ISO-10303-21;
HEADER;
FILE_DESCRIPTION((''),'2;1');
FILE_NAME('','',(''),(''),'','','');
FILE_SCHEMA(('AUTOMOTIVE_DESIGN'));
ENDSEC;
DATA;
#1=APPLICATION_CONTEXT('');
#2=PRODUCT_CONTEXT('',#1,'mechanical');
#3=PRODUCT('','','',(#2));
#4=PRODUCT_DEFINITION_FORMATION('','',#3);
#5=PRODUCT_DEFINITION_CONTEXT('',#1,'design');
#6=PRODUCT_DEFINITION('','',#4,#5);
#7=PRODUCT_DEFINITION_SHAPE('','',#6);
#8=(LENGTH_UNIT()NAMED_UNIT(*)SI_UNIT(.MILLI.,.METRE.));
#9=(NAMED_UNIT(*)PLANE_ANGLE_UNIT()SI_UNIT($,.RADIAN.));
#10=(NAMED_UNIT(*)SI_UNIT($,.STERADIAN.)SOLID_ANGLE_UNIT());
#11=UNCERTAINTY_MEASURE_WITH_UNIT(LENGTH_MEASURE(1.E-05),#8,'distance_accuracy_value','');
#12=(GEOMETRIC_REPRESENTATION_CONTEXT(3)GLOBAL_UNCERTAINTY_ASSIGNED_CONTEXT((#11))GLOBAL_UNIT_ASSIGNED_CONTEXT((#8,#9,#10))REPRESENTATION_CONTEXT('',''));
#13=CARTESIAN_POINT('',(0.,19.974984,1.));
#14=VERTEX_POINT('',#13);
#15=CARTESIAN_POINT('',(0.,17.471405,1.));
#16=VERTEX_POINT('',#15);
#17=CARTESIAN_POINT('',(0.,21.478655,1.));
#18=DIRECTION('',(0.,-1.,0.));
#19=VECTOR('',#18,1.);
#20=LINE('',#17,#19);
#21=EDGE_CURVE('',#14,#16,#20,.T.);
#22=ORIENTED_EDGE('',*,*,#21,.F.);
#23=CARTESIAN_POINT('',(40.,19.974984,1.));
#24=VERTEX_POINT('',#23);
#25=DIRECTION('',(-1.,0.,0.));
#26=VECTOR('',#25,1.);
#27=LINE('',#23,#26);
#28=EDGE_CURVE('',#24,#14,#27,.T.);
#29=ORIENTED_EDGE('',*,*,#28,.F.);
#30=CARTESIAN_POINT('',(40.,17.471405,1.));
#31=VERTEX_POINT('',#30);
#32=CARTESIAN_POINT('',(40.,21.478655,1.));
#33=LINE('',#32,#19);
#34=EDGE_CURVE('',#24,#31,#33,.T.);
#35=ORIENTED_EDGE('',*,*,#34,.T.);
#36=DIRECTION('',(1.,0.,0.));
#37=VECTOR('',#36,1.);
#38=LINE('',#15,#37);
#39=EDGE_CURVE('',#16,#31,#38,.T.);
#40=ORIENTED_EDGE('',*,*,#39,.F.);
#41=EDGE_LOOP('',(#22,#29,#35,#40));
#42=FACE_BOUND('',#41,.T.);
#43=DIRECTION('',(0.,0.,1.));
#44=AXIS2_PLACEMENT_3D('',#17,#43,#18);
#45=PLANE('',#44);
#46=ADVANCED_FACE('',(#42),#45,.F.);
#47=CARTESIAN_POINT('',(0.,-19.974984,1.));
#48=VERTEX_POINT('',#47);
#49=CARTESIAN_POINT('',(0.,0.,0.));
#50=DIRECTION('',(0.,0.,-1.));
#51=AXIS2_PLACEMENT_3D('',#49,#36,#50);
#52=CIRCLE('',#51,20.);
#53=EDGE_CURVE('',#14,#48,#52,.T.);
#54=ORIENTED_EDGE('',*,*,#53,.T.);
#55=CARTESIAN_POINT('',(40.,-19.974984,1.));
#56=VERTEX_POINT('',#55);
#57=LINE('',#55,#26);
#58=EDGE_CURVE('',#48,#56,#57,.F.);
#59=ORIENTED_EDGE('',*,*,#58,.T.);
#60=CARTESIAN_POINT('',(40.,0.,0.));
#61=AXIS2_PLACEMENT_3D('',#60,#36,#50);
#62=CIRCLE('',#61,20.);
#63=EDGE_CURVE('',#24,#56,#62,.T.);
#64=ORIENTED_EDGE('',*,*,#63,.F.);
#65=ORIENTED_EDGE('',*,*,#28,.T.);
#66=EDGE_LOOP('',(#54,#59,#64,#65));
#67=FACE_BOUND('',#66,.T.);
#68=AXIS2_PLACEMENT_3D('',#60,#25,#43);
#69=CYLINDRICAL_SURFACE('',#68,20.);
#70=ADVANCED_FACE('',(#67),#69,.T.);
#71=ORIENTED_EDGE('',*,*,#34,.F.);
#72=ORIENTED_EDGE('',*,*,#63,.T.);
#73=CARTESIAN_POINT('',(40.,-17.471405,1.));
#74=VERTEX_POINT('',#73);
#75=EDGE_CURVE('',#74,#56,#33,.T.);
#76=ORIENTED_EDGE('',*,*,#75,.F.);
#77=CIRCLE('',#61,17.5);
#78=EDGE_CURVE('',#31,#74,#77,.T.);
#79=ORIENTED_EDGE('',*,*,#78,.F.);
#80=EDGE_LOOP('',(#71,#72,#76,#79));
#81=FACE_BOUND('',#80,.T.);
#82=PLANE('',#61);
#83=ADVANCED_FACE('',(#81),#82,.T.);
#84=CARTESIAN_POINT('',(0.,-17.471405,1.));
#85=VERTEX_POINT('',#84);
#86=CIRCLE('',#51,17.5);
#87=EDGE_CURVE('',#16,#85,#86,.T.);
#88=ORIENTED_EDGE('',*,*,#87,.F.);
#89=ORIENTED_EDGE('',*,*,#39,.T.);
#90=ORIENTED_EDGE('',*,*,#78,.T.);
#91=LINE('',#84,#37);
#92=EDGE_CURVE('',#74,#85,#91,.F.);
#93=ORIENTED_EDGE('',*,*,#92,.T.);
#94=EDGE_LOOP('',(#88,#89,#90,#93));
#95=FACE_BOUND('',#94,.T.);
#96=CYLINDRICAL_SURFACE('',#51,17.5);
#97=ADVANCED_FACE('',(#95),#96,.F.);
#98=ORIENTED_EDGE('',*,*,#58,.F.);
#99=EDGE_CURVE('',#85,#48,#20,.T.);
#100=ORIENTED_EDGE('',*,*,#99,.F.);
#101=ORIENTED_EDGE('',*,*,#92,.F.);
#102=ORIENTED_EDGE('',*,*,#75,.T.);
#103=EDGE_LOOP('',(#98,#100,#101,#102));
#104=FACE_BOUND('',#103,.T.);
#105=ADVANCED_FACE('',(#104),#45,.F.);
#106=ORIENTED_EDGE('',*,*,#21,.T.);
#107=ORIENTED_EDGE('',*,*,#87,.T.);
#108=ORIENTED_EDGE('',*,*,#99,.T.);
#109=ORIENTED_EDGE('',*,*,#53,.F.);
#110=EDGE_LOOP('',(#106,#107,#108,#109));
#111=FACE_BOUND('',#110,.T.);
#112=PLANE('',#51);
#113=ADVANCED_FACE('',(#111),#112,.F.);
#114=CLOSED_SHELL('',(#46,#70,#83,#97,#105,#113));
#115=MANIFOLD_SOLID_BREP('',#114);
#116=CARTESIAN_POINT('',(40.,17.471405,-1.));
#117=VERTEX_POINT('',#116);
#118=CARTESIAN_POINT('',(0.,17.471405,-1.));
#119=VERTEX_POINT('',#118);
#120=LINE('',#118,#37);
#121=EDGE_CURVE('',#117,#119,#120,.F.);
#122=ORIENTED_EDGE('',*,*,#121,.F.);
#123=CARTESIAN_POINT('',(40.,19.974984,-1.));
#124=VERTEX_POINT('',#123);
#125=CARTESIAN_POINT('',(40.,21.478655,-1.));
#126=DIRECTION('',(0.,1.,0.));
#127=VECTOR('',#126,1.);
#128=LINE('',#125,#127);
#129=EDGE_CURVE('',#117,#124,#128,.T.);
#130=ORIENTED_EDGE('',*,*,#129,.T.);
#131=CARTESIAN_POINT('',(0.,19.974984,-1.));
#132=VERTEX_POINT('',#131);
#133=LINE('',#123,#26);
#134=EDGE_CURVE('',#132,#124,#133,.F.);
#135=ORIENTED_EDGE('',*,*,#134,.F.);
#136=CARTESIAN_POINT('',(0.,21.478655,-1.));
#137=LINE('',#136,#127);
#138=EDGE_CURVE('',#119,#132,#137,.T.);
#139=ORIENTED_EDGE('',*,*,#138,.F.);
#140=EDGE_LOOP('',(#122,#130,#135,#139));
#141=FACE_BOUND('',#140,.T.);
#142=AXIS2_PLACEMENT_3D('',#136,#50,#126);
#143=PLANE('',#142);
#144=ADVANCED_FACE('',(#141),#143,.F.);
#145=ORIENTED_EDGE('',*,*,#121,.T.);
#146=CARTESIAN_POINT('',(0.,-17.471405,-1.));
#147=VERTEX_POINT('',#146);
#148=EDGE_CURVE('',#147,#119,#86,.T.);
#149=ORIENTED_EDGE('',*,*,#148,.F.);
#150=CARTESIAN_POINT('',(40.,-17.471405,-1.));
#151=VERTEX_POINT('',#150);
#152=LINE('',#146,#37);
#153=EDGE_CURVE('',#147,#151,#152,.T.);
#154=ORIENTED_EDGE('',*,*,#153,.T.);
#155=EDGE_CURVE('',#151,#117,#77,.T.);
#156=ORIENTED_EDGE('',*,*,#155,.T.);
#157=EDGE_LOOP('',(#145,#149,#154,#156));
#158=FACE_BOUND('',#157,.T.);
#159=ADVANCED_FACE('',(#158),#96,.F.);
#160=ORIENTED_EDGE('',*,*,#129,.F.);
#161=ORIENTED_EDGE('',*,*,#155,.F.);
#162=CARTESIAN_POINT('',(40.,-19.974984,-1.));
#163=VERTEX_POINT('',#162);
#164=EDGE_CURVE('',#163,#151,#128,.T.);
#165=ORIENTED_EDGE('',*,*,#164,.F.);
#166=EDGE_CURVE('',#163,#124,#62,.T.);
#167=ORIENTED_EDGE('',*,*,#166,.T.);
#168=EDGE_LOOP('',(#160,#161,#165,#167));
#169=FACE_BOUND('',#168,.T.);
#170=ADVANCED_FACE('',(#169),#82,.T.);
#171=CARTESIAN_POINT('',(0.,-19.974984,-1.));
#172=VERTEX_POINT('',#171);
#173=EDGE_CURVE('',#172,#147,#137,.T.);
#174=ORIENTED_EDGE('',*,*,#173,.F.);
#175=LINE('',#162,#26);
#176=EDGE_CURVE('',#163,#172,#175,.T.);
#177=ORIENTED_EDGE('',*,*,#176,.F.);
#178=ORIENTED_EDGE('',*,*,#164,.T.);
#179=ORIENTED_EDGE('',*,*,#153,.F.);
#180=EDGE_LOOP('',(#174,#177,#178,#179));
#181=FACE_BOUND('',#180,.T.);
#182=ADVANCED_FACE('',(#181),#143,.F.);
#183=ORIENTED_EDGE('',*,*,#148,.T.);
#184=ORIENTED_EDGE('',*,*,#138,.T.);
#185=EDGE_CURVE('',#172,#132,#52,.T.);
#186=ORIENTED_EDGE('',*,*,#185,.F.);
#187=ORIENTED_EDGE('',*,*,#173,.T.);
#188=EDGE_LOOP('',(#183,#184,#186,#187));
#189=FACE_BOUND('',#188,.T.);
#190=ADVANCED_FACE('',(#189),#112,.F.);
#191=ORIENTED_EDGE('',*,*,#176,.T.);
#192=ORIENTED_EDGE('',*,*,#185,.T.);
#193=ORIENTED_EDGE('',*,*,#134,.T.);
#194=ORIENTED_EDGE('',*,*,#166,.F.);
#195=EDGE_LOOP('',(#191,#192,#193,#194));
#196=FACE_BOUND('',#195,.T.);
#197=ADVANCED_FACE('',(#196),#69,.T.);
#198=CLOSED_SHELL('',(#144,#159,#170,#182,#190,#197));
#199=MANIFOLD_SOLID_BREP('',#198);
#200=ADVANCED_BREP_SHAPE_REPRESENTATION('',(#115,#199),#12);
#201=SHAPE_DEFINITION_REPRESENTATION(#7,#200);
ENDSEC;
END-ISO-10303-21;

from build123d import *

# Parameters (mm, degrees)
SKETCH_1_R          = 20
EXTRUDE_1_DEPTH     = 40
SKETCH_2_R          = 17.5
CUT_EXTRUDE_1_DEPTH = 40
SKETCH_3_W          = 2
SKETCH_3_H          = 43.604257984
CUT_EXTRUDE_2_DEPTH = 40


with BuildPart() as part:
    # 草图1 → 凸台-拉伸1 (new body)
    with BuildSketch(Plane(origin=(0, 0, 0), x_dir=(0, 0, -1), z_dir=(1, 0, 0))):
        Circle(SKETCH_1_R)
    extrude(amount=EXTRUDE_1_DEPTH)

    # 草图2 → 切除-拉伸1 (cut)
    with BuildSketch(Plane(origin=(40, 0, 0), x_dir=(0, 0, -1), z_dir=(1, 0, 0))):
        Circle(SKETCH_2_R)
    extrude(amount=-CUT_EXTRUDE_1_DEPTH, mode=Mode.SUBTRACT)

    # 草图3 → 切除-拉伸2 (cut)
    with BuildSketch(Plane(origin=(40, 0, 0), x_dir=(0, 0, -1), z_dir=(1, 0, 0))):
        with Locations((0, -0.323473724)):
            Rectangle(SKETCH_3_W, SKETCH_3_H)
    extrude(amount=-CUT_EXTRUDE_2_DEPTH, mode=Mode.SUBTRACT)


with BuildPart() as cut_extrude_2_piece_1:
    # of the separate pieces the step leaves, piece 1, a body of its own (cut_extrude_2_pieces)
    add(part.part.solids().sort_by_distance((0, 19.974984355, 1))[0])


with BuildPart() as cut_extrude_2_piece_2:
    # of the separate pieces the step leaves, piece 2, a body of its own (cut_extrude_2_pieces)
    add(part.part.solids().sort_by_distance((0, -19.974984355, -1))[0])


solid = Compound([cut_extrude_2_piece_1.part, cut_extrude_2_piece_2.part])
